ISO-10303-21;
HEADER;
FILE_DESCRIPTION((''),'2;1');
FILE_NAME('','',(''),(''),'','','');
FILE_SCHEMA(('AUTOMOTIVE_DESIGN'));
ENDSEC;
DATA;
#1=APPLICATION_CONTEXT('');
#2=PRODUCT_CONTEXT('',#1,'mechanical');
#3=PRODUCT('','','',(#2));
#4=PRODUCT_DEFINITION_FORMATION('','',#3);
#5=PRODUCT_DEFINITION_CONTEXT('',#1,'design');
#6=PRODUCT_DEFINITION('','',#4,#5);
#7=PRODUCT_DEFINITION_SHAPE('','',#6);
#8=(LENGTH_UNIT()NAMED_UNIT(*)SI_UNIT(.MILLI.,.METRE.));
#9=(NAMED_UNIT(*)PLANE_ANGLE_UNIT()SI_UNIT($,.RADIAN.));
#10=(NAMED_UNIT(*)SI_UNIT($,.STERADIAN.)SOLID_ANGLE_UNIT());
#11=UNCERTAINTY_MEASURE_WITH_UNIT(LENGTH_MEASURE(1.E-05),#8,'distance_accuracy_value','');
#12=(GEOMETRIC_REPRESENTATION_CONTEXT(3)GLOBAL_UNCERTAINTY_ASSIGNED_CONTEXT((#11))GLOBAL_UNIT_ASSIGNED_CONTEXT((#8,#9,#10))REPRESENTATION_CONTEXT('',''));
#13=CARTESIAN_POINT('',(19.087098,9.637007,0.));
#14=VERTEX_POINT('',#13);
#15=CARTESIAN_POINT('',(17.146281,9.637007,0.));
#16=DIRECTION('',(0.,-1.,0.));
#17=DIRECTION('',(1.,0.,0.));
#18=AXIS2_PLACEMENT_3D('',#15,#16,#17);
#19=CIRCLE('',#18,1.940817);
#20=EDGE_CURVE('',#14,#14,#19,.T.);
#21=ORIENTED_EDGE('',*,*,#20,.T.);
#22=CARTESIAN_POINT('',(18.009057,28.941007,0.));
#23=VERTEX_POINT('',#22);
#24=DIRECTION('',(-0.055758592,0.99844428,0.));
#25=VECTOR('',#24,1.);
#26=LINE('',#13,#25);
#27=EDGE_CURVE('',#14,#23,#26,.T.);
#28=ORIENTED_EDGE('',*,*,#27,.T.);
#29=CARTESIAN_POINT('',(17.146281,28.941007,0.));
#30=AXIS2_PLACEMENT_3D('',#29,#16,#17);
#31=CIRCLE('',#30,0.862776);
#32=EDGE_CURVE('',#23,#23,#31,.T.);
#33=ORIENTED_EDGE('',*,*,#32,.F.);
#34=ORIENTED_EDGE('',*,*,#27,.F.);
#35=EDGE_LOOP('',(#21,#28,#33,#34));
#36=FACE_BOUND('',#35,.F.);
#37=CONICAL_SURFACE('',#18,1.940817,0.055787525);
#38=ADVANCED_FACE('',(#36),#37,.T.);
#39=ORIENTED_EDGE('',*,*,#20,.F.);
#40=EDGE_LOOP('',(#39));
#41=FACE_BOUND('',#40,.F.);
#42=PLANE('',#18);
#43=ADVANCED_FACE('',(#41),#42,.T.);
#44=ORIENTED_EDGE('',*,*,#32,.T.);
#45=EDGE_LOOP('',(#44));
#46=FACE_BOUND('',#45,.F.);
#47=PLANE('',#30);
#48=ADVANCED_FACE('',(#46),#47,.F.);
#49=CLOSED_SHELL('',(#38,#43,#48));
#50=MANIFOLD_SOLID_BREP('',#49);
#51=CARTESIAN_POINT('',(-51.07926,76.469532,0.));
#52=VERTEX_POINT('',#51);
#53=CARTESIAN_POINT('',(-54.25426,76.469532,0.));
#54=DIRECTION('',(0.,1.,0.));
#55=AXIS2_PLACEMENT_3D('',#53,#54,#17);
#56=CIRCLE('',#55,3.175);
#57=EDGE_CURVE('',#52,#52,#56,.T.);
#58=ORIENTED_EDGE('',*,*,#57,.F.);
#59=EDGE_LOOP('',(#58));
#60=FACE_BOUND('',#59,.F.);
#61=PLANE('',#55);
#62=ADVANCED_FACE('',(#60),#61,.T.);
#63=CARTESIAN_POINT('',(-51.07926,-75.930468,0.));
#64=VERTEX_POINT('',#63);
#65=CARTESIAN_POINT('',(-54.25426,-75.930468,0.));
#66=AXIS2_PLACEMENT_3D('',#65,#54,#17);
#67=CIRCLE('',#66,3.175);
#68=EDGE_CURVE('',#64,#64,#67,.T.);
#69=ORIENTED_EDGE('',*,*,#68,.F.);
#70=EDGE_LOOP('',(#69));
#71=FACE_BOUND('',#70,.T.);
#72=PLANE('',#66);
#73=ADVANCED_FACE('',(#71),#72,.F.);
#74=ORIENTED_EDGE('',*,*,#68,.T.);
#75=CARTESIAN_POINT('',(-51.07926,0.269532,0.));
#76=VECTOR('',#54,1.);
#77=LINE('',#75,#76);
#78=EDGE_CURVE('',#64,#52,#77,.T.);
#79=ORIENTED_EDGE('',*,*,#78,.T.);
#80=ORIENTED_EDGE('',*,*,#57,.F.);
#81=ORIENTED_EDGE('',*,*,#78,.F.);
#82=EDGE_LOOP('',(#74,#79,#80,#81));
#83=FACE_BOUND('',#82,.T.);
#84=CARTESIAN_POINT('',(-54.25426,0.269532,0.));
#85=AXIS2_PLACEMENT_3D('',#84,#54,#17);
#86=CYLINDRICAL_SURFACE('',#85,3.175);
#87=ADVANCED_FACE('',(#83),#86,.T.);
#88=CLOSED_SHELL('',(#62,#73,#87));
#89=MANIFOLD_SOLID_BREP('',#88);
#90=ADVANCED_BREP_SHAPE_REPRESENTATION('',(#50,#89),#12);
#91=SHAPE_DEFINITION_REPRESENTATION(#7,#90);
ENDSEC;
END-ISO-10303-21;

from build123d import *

# Parameters (mm, degrees)
F0_W = 3.175
F0_H = 152.4


with BuildPart() as f1:
    # F0 (on Top) → F1 (revolve)
    with BuildSketch(Plane.XY):
        with Locations((-52.66676, 0.269532)):
            Rectangle(F0_W, F0_H)
    revolve(axis=Axis((-54.25426, 0.269532, 0), (0, 1, 0)))


with BuildPart() as f3:
    # F2 (on Top) → F3 (revolve)
    with BuildSketch(Plane.XY):
        Polygon((18.009057, 28.941007), (17.146281, 28.941007), (17.146281, 9.637007), (19.087098, 9.637007), align=None)
    revolve(axis=Axis((17.146281, 19.289007, 0), (0, -1, 0)))


solid = Compound([f1.part, f3.part])
